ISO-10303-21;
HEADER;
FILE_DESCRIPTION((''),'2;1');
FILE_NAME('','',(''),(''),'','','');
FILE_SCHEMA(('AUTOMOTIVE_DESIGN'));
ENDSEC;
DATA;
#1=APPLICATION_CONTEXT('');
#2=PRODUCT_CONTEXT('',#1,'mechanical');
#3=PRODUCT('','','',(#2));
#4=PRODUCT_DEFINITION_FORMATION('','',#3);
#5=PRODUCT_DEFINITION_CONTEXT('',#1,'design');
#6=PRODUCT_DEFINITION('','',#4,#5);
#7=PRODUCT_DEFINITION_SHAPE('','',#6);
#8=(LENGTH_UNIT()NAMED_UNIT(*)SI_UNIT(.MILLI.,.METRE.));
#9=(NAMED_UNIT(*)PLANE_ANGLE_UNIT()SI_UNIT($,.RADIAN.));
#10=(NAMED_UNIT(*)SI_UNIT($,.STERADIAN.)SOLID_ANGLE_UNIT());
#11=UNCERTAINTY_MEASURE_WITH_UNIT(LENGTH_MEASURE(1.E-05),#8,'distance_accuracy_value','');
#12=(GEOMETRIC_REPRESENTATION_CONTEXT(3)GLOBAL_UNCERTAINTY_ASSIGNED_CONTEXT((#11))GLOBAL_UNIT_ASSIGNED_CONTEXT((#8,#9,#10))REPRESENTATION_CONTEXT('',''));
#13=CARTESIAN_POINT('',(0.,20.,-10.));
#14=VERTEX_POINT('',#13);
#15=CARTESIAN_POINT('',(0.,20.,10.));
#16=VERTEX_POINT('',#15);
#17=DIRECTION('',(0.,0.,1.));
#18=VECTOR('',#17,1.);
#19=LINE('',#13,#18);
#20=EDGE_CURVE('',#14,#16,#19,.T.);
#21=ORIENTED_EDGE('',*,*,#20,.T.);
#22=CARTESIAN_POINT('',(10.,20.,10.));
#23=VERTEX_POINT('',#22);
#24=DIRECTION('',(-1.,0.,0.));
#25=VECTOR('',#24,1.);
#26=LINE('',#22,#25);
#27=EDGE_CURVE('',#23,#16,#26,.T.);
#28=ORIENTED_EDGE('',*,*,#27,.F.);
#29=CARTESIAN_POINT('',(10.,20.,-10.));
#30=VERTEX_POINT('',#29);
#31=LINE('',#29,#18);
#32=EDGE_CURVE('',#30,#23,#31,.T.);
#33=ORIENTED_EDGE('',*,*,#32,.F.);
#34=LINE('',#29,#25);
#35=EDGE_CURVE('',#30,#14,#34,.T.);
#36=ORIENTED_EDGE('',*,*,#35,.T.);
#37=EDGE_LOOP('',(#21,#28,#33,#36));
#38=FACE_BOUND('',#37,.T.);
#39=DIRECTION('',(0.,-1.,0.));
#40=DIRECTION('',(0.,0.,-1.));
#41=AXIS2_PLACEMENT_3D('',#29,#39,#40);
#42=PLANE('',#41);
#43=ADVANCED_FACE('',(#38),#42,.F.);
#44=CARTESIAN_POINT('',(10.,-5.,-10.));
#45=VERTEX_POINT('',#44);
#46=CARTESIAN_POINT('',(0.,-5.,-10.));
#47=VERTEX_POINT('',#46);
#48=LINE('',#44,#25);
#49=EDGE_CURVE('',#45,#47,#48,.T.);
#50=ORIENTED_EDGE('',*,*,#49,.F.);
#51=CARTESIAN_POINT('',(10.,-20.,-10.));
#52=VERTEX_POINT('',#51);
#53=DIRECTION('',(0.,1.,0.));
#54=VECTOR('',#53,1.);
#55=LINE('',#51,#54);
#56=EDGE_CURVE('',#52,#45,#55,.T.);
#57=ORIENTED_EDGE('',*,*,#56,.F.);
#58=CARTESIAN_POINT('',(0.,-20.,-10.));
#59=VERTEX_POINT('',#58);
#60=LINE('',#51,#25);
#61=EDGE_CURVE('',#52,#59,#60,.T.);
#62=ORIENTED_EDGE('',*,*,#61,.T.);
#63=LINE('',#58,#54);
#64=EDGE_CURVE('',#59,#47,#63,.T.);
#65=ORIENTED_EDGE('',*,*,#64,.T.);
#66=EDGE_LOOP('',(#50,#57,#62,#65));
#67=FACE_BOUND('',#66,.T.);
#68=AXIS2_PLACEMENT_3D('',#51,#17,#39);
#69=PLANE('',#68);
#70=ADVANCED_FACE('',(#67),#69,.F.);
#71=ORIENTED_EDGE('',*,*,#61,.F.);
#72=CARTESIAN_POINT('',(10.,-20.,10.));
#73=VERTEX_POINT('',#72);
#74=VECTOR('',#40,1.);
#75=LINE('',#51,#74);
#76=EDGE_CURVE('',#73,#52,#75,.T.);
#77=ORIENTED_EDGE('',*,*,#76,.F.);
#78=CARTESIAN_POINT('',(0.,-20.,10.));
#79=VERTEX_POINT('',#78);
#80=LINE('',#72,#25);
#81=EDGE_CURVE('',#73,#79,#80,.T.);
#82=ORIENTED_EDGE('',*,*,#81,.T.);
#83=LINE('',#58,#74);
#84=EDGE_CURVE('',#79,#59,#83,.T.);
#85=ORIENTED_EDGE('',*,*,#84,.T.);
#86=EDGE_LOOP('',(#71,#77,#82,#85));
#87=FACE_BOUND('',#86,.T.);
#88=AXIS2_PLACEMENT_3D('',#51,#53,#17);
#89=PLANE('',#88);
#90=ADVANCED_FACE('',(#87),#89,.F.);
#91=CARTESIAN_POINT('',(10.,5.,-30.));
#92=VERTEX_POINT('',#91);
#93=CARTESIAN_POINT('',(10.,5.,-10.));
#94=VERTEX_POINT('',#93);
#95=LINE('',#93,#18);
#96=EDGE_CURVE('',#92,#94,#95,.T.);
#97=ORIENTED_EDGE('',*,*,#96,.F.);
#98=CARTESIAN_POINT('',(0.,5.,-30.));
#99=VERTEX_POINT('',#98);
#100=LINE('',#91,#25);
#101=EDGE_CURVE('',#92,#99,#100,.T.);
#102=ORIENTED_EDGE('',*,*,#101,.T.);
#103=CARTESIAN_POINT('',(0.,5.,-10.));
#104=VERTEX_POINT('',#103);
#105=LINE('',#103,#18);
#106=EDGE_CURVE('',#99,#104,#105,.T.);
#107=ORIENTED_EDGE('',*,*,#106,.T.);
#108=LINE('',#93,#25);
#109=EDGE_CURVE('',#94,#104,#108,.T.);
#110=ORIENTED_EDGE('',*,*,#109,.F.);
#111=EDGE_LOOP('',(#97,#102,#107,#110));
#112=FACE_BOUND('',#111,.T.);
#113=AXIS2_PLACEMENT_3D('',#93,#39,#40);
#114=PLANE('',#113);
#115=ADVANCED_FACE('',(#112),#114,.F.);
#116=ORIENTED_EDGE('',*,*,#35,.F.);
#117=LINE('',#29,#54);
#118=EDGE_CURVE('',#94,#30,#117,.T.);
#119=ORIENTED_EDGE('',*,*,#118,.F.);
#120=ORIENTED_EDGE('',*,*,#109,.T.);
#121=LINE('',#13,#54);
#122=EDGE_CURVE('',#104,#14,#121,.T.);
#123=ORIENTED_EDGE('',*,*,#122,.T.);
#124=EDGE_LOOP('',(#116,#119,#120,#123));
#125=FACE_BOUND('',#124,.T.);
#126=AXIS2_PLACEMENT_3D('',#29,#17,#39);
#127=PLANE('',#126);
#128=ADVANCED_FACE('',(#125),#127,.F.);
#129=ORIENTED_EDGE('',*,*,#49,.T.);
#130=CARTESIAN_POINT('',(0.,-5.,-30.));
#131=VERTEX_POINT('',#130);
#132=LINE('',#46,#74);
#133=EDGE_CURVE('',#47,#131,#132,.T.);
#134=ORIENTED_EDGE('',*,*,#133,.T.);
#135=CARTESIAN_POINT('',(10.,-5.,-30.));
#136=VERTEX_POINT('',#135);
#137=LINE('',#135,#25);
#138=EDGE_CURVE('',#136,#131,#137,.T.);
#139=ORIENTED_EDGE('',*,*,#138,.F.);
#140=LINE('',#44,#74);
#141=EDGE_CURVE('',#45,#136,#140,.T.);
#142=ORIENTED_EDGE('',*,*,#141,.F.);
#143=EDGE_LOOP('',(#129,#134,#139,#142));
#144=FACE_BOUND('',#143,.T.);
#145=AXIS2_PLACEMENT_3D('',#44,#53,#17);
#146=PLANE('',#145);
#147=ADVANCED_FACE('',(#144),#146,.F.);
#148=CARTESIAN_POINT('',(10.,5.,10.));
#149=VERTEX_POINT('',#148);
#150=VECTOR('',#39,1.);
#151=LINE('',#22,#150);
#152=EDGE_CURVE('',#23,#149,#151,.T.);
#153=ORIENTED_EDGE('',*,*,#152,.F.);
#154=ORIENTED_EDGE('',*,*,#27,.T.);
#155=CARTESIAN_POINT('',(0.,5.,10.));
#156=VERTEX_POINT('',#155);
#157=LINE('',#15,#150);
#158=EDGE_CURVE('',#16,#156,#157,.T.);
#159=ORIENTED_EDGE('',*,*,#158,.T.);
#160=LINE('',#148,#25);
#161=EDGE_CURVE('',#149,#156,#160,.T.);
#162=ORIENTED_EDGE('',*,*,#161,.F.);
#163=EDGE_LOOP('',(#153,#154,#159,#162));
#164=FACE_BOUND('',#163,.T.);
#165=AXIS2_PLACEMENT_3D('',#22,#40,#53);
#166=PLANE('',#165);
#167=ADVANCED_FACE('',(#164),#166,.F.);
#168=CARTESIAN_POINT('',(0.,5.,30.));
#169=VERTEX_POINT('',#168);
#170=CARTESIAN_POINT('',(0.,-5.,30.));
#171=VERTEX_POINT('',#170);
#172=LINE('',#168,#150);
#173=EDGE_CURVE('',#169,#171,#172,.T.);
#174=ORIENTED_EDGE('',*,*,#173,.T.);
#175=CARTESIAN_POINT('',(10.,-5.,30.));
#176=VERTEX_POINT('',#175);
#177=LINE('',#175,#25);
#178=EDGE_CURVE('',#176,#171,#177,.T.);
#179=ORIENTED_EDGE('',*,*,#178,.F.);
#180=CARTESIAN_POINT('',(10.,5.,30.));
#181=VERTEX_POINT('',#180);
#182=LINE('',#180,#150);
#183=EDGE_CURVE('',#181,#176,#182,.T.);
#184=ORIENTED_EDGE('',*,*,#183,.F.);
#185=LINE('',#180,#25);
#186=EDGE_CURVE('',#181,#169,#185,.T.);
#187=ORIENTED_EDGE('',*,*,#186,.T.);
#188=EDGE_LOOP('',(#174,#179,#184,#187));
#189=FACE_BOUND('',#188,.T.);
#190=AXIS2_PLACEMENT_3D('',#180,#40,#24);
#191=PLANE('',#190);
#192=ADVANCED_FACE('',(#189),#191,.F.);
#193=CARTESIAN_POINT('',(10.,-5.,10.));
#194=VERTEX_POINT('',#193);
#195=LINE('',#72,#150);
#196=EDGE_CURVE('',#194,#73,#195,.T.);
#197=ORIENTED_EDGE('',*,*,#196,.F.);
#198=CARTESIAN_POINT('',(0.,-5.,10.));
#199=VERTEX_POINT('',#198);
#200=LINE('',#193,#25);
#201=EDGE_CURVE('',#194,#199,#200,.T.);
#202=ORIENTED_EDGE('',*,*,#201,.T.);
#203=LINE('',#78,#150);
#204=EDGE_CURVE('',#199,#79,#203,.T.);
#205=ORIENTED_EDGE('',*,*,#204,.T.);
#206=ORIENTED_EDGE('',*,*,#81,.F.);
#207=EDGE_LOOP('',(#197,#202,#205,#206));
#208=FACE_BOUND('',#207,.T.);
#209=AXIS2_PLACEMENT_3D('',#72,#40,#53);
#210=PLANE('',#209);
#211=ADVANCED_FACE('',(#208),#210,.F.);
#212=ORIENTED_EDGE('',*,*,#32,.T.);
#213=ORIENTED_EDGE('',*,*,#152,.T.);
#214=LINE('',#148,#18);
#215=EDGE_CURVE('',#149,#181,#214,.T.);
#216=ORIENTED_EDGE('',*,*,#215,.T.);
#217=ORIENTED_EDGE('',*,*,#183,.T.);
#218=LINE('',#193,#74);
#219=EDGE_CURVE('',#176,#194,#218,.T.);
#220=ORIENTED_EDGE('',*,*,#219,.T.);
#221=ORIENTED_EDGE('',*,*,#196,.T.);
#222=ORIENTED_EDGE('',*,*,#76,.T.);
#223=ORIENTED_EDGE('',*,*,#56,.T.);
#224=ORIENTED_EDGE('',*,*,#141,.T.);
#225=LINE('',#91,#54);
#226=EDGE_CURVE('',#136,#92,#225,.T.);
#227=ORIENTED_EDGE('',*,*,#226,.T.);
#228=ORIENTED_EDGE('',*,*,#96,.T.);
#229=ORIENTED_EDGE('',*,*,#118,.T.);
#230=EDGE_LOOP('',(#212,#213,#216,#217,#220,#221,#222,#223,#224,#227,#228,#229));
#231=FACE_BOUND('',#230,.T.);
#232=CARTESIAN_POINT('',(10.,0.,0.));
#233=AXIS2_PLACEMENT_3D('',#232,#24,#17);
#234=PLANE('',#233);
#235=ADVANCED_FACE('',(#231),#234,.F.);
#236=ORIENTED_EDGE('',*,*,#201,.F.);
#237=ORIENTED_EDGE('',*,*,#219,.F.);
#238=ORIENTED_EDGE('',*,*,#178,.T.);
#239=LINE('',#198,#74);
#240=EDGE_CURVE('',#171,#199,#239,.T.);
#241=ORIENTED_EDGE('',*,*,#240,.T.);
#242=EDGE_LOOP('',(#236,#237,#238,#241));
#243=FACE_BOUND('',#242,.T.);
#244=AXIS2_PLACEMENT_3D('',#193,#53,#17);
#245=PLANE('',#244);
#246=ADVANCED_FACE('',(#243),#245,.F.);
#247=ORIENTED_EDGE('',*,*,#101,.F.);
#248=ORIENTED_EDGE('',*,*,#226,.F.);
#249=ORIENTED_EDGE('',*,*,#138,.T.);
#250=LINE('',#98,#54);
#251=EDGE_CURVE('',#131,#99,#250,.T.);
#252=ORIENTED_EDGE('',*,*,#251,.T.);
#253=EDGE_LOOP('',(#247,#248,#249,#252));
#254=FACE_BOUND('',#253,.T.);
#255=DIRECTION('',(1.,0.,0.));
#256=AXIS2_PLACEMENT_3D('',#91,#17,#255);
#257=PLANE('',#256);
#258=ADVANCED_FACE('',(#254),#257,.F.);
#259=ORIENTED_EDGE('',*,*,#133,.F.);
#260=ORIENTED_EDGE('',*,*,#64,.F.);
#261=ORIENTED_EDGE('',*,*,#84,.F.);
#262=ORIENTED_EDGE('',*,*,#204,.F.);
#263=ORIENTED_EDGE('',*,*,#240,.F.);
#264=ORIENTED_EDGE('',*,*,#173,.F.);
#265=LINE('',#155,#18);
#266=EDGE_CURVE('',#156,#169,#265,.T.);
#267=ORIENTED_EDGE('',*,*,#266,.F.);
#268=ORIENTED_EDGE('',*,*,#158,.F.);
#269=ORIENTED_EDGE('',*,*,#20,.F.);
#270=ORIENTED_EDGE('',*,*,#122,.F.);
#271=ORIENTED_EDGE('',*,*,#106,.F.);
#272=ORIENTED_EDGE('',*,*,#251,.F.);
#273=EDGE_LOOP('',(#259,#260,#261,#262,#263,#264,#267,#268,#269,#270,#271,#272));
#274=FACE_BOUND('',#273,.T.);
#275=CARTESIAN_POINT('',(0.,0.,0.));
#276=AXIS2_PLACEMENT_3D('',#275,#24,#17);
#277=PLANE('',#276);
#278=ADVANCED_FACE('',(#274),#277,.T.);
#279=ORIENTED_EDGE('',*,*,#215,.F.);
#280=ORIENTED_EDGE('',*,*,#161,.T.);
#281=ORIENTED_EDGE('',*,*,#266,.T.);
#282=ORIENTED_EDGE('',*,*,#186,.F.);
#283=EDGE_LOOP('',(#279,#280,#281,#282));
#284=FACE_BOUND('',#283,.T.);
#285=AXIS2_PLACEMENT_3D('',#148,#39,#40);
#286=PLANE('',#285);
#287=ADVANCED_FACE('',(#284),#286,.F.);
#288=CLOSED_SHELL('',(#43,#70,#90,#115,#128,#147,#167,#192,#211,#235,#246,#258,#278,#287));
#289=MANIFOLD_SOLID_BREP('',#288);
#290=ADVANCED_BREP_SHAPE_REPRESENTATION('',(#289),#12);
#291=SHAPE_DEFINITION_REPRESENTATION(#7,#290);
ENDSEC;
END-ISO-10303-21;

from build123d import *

# Parameters (mm, degrees)
BOSS_EXTRUDE2_DEPTH = 10


with BuildPart() as part:
    # Sketch3 → Boss-Extrude2 (new body)
    with BuildSketch(Plane(origin=(0, 0, 0), x_dir=(0, 0, -1), z_dir=(1, 0, 0))):
        Polygon((10, 20), (-10, 20), (-10, 5), (-30, 5), (-30, -5), (-10, -5), (-10, -20), (10, -20), (10, -5), (30, -5), (30, 5), (10, 5), align=None)
    extrude(amount=BOSS_EXTRUDE2_DEPTH)


solid = part.part
